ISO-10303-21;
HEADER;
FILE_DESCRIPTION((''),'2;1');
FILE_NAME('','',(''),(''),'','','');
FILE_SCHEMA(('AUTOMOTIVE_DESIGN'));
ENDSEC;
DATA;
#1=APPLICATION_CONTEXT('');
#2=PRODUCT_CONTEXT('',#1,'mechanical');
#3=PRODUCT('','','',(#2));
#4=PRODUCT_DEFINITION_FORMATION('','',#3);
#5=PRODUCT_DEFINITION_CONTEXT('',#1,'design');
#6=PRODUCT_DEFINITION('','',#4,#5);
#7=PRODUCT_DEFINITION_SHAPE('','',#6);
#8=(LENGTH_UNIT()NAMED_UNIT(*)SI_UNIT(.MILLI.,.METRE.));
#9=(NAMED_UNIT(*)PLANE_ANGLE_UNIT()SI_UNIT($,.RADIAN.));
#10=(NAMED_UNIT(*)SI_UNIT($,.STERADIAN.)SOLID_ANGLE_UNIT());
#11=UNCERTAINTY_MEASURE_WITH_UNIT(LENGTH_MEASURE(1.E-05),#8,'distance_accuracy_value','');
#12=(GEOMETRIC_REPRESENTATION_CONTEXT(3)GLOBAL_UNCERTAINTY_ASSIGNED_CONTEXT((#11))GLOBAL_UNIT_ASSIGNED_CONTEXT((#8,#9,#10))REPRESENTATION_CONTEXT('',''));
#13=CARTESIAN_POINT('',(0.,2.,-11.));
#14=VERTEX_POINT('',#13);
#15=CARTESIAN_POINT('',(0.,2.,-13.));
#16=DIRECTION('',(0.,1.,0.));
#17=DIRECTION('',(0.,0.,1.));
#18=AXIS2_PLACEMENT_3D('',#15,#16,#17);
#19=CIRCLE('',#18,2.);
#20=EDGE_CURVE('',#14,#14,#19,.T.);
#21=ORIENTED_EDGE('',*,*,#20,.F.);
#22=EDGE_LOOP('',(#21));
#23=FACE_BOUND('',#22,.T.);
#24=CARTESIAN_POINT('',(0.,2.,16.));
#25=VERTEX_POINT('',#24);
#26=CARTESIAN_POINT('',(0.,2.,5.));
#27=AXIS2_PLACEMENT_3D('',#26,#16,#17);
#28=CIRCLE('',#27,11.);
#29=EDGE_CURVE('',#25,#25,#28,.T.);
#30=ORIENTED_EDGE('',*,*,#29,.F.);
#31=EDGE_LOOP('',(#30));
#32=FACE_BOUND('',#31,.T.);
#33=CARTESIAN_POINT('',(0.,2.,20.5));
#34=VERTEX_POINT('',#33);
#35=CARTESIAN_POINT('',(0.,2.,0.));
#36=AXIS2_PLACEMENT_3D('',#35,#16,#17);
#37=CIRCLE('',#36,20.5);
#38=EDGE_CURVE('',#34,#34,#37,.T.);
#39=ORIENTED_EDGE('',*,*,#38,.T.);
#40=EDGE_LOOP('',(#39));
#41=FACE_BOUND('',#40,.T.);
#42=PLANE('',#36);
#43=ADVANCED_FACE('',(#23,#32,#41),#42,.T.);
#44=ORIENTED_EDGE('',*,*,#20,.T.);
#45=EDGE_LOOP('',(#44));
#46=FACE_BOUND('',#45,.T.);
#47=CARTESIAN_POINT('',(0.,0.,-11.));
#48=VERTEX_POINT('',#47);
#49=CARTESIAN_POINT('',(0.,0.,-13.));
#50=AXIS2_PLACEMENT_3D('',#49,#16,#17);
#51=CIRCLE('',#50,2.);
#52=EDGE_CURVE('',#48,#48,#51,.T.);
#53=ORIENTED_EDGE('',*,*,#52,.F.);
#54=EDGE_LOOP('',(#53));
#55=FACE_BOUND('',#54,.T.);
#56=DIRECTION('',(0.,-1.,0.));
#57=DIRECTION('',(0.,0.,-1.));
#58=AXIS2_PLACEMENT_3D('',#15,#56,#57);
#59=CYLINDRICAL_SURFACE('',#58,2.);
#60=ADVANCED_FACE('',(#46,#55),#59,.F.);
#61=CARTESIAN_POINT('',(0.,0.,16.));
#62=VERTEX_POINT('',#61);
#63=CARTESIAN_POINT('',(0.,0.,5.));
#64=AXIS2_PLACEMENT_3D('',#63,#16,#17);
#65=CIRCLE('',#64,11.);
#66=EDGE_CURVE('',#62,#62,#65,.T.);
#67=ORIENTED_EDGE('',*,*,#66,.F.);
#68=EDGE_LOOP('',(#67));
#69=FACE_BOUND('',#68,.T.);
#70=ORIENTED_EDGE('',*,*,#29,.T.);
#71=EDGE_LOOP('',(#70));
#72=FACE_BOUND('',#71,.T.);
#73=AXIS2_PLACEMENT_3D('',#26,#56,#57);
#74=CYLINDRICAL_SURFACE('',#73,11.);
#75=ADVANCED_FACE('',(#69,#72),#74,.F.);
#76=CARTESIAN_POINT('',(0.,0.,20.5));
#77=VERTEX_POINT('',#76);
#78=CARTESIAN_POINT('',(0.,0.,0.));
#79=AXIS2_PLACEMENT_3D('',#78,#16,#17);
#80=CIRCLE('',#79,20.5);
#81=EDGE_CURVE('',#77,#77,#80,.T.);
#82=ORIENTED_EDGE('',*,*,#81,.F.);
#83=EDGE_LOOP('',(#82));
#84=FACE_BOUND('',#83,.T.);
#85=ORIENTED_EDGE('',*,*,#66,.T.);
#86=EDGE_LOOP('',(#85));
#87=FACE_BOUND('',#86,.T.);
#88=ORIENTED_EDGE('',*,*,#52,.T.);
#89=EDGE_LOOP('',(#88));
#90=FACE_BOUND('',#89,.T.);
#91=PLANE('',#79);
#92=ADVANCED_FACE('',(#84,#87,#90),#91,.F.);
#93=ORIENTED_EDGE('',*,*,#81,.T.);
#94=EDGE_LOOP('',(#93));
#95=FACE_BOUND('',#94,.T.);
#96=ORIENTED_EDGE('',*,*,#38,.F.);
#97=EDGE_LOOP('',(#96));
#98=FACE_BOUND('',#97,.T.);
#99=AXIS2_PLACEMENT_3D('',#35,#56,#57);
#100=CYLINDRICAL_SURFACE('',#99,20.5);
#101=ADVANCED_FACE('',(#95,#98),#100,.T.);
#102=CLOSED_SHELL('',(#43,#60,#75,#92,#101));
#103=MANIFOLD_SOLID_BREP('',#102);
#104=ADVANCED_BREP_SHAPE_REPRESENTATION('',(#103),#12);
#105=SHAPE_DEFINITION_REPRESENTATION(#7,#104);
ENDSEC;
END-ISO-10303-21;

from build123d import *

# Parameters (mm, degrees)
SKETCH1_R           = 20.5
SKETCH1_R_2         = 11
SKETCH1_R_3         = 2
BOSS_EXTRUDE1_DEPTH = 2


with BuildPart() as part:
    # Sketch1 → Boss-Extrude1 (new body)
    with BuildSketch(Plane(origin=(0, 0, 0), x_dir=(1, 0, 0), z_dir=(0, 1, 0))):
        Circle(SKETCH1_R)
        with Locations((0, -5)):
            Circle(SKETCH1_R_2, mode=Mode.SUBTRACT)
        with Locations((0, 13)):
            Circle(SKETCH1_R_3, mode=Mode.SUBTRACT)
    extrude(amount=BOSS_EXTRUDE1_DEPTH)


solid = part.part
